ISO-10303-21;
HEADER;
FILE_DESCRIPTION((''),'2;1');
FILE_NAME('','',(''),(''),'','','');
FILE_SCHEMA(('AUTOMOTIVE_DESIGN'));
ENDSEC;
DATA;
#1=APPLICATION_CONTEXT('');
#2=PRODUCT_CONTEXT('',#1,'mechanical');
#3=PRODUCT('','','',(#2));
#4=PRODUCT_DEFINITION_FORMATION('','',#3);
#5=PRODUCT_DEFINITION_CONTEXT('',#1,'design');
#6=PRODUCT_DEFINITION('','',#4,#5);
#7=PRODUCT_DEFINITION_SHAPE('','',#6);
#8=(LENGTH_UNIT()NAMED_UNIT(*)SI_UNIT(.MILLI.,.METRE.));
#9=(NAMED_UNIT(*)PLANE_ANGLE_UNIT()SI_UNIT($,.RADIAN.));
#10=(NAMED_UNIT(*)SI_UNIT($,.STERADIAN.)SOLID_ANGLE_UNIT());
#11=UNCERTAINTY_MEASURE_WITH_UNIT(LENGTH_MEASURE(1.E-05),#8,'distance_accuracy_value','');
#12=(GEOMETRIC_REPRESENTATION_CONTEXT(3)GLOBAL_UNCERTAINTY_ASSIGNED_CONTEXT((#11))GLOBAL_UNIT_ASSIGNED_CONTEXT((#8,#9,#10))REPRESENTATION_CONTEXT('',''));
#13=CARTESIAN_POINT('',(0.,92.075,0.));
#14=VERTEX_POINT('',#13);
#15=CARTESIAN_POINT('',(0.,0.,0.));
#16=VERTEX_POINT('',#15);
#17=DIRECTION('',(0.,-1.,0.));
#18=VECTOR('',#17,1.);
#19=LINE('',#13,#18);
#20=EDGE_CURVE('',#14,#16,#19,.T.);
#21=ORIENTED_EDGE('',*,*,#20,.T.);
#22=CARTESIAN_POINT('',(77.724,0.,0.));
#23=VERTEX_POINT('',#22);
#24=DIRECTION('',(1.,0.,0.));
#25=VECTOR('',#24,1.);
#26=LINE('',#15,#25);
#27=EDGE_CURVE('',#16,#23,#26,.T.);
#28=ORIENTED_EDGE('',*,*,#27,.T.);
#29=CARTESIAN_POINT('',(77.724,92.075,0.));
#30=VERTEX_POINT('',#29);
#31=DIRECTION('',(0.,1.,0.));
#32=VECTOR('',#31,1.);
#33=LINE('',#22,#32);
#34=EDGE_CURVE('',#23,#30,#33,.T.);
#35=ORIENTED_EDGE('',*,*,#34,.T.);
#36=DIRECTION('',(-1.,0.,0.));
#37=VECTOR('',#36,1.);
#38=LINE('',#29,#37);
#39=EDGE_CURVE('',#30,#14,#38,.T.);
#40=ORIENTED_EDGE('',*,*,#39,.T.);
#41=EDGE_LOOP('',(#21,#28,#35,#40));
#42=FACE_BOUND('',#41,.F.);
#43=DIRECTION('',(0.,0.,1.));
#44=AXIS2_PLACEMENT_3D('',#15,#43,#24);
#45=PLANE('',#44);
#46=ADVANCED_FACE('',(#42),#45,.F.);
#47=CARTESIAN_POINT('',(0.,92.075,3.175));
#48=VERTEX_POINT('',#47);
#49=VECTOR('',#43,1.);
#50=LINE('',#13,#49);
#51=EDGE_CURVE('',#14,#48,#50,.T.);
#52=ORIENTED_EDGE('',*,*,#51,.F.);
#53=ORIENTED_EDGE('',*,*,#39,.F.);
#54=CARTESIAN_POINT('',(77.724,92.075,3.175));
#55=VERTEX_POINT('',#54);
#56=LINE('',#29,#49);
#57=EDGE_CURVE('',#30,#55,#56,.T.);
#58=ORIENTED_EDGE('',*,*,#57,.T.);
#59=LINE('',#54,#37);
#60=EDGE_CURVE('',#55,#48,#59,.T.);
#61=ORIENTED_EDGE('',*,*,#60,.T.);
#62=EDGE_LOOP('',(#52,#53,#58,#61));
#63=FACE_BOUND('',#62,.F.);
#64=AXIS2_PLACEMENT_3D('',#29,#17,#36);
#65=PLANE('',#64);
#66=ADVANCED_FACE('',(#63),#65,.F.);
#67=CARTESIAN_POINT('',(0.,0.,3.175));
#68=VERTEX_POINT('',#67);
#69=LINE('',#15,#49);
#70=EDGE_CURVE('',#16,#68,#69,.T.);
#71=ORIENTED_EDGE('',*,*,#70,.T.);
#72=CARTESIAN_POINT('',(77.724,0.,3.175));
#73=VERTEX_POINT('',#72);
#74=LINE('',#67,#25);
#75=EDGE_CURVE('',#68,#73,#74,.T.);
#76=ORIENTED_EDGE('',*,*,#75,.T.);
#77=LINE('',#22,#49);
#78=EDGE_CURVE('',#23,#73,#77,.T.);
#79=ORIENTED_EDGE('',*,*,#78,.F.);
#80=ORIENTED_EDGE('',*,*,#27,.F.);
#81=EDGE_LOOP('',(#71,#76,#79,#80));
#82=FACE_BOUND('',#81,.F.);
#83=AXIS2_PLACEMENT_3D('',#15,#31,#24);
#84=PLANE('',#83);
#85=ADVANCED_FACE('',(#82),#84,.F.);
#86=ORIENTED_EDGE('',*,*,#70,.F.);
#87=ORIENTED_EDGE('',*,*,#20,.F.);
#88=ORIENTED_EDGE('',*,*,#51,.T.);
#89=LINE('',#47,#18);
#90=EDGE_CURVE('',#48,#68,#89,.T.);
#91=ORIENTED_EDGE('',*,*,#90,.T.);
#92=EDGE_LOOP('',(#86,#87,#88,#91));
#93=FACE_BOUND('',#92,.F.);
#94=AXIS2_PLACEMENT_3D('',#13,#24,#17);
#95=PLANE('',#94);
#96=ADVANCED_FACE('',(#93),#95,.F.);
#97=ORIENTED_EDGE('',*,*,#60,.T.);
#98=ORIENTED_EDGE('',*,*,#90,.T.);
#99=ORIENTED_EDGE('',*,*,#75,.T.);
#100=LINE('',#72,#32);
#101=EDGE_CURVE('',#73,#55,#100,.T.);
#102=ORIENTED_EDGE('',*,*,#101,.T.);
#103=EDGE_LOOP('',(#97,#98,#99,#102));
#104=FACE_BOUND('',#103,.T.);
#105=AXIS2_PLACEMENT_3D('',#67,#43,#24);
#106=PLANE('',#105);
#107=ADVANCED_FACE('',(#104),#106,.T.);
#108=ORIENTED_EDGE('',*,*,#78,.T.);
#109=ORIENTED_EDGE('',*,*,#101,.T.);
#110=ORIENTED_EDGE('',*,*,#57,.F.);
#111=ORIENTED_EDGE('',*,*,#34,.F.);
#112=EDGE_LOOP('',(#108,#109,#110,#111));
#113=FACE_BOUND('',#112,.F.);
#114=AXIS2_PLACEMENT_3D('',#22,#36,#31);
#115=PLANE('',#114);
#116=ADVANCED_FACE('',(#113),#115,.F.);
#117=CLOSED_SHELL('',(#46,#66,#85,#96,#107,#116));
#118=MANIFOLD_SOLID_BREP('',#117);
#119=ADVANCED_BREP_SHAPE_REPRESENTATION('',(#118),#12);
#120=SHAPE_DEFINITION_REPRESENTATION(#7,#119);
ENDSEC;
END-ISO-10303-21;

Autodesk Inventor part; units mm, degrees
ref_plane "YZ Plane" through (0, 0, 0) normal (1, 0, 0) x (0, 1, 0)
ref_plane "XZ Plane" through (0, 0, 0) normal (0, 1, 0) x (-1, 0, 0)
ref_plane "XY Plane" through (0, 0, 0) normal (0, 0, 1) x (1, 0, 0)
sketch "Sketch1" plane through (0, 0, 0) normal (0, 0, 1) x (1, 0, 0)
  line L0 (0, 0) -> (77.724, 0)
  line L1 (77.724, 0) -> (77.724, 92.075)
  line L2 (77.724, 92.075) -> (0, 92.075)
  line L3 (0, 92.075) -> (0, 0)
  dimension "d0" = 77.724
  dimension "d1" = 92.075
extrude "Extrusion1" add sketch "Sketch1" along normal blind 3.175
properties part number "FrontSet"
